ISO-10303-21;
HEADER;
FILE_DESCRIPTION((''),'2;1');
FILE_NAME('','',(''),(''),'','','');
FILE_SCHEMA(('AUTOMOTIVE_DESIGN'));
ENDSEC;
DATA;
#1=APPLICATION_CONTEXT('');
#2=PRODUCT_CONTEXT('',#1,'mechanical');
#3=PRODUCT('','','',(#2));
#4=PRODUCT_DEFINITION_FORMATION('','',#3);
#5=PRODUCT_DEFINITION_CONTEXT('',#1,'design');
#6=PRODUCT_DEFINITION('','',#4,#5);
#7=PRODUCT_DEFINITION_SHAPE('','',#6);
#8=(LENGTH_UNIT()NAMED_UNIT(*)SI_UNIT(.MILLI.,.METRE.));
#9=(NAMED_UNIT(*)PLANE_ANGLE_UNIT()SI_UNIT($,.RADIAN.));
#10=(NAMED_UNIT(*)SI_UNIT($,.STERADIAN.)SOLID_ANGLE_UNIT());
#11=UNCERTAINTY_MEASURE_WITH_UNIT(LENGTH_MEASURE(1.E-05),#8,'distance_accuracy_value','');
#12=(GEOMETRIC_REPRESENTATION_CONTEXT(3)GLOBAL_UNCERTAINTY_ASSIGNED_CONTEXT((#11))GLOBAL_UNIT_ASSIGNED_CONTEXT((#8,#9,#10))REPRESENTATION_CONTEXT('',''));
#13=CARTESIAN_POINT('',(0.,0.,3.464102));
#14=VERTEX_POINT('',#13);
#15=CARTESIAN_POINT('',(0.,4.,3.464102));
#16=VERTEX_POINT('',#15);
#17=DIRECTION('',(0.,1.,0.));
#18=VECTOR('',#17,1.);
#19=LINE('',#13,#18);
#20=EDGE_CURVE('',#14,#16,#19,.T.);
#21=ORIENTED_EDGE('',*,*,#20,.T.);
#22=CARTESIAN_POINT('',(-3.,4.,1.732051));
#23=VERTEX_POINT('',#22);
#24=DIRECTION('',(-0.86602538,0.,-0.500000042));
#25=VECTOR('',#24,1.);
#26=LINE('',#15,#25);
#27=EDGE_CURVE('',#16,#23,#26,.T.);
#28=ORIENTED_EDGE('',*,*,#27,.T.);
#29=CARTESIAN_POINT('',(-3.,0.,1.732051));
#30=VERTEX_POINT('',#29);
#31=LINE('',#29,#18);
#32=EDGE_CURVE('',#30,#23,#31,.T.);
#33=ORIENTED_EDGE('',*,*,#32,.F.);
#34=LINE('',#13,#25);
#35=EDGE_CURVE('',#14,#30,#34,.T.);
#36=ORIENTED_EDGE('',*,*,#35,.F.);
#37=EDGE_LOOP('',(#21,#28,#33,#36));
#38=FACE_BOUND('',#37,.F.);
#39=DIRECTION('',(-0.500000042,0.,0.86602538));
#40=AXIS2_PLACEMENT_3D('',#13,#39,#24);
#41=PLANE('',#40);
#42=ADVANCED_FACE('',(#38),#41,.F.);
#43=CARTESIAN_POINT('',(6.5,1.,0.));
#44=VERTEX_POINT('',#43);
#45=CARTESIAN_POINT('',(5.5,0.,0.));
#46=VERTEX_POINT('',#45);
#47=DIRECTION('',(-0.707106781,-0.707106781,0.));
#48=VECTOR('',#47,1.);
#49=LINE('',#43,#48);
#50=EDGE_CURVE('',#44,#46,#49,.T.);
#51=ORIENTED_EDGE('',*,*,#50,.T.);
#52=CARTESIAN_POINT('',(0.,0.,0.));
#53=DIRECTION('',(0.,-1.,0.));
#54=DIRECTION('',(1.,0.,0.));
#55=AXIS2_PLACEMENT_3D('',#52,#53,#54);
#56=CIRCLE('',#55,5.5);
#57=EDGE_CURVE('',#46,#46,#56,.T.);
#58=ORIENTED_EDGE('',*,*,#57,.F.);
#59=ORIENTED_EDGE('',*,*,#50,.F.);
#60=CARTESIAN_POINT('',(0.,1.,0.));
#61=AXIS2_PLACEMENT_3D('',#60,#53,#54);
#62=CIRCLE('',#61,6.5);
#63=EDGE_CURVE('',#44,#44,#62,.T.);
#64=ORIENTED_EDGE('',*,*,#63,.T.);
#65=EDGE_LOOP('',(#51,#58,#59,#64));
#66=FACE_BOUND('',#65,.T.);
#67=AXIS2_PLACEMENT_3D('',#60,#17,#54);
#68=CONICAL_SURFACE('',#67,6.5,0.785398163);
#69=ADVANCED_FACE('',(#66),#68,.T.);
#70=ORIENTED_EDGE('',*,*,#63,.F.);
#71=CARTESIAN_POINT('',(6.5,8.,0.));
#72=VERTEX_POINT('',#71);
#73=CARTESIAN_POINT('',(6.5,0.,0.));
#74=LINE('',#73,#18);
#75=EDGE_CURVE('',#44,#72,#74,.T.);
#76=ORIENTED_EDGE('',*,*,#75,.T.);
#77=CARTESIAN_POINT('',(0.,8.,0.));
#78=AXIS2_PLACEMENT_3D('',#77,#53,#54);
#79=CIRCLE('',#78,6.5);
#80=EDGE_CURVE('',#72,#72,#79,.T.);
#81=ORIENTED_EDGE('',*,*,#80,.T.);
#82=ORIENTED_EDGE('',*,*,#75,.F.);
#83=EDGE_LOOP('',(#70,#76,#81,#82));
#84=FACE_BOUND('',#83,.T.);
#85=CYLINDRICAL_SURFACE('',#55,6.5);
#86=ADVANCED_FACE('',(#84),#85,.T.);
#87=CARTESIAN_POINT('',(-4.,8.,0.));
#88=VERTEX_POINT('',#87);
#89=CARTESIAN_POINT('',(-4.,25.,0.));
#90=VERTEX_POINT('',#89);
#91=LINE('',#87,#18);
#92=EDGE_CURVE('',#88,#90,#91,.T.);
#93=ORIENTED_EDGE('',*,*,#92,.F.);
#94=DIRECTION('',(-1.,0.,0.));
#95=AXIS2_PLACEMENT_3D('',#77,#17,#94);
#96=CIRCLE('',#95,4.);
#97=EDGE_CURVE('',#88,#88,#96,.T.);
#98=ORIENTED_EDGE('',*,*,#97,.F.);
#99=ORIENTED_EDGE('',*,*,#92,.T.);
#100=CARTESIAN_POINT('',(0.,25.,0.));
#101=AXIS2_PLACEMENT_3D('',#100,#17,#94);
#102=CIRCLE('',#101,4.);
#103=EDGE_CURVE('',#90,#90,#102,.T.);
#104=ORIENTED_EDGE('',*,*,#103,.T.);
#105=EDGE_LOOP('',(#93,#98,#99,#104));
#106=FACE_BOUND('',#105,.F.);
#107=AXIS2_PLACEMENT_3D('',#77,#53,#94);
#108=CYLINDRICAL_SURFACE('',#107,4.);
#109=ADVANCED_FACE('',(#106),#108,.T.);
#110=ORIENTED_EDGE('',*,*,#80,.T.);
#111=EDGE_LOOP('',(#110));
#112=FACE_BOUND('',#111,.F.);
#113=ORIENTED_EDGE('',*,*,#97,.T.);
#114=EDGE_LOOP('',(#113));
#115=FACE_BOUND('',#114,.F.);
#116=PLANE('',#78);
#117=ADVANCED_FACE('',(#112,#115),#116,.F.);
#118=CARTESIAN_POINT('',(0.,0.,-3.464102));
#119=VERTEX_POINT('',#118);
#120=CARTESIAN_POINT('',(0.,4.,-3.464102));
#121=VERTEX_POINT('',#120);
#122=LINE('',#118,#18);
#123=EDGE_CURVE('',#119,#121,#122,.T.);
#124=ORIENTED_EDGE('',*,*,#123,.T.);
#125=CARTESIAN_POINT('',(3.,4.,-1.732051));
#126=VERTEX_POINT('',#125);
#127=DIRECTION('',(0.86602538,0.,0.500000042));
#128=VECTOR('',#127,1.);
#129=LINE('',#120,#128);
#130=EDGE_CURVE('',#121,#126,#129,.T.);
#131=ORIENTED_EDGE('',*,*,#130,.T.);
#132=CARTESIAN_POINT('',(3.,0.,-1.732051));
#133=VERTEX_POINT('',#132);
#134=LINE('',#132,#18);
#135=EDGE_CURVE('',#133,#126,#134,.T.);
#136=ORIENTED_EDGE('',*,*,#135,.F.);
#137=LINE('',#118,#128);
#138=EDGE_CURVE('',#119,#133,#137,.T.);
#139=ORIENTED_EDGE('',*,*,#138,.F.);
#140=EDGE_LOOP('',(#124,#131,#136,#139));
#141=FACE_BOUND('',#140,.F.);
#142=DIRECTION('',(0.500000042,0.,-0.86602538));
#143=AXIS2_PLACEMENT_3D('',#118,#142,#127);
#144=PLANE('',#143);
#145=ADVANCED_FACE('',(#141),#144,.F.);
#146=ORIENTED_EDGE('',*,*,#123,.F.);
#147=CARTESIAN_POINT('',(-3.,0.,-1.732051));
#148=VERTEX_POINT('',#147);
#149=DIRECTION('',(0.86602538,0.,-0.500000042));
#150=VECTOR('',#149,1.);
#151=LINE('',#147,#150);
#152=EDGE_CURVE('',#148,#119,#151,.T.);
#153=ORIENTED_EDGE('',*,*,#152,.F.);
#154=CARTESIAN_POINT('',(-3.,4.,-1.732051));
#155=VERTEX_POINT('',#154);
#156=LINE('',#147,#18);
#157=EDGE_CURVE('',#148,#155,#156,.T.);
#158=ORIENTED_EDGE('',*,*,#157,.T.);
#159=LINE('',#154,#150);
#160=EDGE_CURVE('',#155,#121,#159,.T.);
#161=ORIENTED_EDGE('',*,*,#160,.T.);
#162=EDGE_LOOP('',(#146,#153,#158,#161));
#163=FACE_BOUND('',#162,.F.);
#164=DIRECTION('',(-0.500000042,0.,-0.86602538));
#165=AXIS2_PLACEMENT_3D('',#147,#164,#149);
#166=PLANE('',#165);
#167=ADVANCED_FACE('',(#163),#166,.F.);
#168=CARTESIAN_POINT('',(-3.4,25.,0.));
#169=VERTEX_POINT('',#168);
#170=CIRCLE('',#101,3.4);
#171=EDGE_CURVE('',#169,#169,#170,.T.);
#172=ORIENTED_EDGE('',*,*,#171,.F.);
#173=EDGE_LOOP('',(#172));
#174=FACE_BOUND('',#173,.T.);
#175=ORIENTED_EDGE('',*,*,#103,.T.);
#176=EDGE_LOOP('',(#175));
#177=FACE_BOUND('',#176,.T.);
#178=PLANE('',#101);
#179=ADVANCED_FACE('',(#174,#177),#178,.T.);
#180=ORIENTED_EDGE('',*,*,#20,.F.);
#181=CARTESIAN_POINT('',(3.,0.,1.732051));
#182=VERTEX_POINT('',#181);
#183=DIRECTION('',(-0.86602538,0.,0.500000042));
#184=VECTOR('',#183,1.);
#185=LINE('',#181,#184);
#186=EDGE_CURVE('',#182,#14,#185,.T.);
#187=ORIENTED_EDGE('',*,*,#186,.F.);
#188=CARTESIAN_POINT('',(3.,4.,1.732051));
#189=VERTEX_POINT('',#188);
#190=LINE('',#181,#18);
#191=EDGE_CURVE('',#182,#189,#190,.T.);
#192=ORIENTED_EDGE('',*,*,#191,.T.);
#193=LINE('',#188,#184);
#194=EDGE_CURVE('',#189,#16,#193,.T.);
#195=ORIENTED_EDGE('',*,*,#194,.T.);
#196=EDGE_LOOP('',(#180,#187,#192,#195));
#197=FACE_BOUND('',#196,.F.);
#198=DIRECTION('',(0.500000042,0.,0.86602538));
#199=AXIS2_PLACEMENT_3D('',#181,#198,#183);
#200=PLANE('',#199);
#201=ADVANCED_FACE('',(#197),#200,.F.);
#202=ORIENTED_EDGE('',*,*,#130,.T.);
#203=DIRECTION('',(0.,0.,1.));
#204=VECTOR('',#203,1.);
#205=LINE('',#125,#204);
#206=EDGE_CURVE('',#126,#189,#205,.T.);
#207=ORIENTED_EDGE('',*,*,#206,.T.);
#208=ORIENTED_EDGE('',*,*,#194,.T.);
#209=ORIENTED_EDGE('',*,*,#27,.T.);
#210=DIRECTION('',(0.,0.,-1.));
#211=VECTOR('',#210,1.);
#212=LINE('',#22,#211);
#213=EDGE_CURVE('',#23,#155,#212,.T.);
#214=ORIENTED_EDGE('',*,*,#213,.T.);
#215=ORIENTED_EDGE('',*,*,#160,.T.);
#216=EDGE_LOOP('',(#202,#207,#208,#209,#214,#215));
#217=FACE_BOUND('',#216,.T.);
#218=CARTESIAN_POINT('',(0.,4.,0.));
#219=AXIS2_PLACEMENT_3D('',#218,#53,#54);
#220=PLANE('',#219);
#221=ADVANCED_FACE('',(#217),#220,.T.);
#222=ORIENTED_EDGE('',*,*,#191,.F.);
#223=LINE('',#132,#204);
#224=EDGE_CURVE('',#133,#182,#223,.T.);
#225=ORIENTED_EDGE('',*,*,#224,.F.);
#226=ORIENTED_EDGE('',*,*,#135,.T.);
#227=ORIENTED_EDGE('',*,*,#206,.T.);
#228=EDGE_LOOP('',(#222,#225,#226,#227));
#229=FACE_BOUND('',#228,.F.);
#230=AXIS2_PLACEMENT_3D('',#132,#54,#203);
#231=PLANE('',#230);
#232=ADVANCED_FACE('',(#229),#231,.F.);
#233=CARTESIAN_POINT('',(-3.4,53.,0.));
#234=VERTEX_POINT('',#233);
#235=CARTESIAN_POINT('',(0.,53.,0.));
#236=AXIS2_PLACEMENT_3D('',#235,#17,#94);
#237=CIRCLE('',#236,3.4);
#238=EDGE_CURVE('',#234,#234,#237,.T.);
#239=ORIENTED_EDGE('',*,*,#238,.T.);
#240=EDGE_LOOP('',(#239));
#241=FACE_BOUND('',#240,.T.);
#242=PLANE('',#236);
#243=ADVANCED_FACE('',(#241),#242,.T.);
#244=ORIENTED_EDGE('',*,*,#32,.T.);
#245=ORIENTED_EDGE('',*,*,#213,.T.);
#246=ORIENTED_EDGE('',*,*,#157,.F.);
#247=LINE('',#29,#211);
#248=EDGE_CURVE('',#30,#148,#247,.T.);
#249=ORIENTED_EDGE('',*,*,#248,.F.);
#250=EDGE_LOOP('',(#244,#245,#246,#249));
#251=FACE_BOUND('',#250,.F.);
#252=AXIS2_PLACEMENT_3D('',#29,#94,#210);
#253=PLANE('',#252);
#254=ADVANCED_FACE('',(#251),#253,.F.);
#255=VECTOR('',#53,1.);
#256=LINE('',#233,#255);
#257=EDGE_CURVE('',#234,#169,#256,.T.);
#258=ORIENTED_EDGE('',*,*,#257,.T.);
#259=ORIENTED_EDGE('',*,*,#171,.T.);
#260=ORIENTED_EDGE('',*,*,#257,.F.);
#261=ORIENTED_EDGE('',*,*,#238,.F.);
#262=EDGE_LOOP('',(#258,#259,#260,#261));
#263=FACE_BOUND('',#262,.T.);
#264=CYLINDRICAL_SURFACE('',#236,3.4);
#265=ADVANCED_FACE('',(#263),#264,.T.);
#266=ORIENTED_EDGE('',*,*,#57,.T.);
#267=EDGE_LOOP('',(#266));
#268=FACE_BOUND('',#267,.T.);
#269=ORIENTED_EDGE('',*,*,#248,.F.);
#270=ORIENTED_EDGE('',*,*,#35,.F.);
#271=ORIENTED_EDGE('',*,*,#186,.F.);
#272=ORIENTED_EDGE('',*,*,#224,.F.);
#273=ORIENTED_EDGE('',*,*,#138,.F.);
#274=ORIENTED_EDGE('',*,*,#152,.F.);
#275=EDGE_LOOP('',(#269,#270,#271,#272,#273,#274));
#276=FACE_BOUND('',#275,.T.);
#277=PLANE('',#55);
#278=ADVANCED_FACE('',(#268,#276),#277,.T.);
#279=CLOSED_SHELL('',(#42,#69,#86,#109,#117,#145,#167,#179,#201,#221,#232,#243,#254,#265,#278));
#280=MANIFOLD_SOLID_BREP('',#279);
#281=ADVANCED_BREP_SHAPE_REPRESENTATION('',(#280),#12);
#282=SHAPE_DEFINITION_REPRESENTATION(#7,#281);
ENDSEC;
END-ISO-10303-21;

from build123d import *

# Parameters (mm, degrees)
F0_R     = 6.5
F1_DEPTH = 8
F3_DEPTH = 4
F4_R     = 4
F5_DEPTH = 45
F6_R     = 4
F6_R_2   = 3.4
F7_DEPTH = 28
F8_SIZE  = 1


with BuildPart() as f1:
    # F0 (on Front) → F1 (new body)
    with BuildSketch(Plane.XZ):
        Circle(F0_R)
    extrude(amount=-F1_DEPTH)

    # F2 (on face) → F3 (cut)
    with BuildSketch(Plane.XZ):
        Polygon((3, 1.732051), (0, 3.464102), (-3, 1.732051), (-3, -1.732051), (0, -3.464102), (3, -1.732051), align=None)
    extrude(amount=-F3_DEPTH, mode=Mode.SUBTRACT)

    # F4 (on face) → F5 (join)
    with BuildSketch(Plane(origin=(0, 8, 0), x_dir=(-1, 0, 0), z_dir=(0, 1, 0))):
        Circle(F4_R)
    extrude(amount=F5_DEPTH)

    # F6 (on face) → F7 (cut)
    with BuildSketch(Plane(origin=(0, 53, 0), x_dir=(-1, 0, 0), z_dir=(0, 1, 0))):
        Circle(F6_R)
        Circle(F6_R_2, mode=Mode.SUBTRACT)
    extrude(amount=-F7_DEPTH, mode=Mode.SUBTRACT)

    # F8
    f8_edges = [f1.edges().sort_by_distance(p)[0] for p in [
        (-6.5, 0, 0),
    ]]
    chamfer(f8_edges, length=F8_SIZE)


solid = f1.part
